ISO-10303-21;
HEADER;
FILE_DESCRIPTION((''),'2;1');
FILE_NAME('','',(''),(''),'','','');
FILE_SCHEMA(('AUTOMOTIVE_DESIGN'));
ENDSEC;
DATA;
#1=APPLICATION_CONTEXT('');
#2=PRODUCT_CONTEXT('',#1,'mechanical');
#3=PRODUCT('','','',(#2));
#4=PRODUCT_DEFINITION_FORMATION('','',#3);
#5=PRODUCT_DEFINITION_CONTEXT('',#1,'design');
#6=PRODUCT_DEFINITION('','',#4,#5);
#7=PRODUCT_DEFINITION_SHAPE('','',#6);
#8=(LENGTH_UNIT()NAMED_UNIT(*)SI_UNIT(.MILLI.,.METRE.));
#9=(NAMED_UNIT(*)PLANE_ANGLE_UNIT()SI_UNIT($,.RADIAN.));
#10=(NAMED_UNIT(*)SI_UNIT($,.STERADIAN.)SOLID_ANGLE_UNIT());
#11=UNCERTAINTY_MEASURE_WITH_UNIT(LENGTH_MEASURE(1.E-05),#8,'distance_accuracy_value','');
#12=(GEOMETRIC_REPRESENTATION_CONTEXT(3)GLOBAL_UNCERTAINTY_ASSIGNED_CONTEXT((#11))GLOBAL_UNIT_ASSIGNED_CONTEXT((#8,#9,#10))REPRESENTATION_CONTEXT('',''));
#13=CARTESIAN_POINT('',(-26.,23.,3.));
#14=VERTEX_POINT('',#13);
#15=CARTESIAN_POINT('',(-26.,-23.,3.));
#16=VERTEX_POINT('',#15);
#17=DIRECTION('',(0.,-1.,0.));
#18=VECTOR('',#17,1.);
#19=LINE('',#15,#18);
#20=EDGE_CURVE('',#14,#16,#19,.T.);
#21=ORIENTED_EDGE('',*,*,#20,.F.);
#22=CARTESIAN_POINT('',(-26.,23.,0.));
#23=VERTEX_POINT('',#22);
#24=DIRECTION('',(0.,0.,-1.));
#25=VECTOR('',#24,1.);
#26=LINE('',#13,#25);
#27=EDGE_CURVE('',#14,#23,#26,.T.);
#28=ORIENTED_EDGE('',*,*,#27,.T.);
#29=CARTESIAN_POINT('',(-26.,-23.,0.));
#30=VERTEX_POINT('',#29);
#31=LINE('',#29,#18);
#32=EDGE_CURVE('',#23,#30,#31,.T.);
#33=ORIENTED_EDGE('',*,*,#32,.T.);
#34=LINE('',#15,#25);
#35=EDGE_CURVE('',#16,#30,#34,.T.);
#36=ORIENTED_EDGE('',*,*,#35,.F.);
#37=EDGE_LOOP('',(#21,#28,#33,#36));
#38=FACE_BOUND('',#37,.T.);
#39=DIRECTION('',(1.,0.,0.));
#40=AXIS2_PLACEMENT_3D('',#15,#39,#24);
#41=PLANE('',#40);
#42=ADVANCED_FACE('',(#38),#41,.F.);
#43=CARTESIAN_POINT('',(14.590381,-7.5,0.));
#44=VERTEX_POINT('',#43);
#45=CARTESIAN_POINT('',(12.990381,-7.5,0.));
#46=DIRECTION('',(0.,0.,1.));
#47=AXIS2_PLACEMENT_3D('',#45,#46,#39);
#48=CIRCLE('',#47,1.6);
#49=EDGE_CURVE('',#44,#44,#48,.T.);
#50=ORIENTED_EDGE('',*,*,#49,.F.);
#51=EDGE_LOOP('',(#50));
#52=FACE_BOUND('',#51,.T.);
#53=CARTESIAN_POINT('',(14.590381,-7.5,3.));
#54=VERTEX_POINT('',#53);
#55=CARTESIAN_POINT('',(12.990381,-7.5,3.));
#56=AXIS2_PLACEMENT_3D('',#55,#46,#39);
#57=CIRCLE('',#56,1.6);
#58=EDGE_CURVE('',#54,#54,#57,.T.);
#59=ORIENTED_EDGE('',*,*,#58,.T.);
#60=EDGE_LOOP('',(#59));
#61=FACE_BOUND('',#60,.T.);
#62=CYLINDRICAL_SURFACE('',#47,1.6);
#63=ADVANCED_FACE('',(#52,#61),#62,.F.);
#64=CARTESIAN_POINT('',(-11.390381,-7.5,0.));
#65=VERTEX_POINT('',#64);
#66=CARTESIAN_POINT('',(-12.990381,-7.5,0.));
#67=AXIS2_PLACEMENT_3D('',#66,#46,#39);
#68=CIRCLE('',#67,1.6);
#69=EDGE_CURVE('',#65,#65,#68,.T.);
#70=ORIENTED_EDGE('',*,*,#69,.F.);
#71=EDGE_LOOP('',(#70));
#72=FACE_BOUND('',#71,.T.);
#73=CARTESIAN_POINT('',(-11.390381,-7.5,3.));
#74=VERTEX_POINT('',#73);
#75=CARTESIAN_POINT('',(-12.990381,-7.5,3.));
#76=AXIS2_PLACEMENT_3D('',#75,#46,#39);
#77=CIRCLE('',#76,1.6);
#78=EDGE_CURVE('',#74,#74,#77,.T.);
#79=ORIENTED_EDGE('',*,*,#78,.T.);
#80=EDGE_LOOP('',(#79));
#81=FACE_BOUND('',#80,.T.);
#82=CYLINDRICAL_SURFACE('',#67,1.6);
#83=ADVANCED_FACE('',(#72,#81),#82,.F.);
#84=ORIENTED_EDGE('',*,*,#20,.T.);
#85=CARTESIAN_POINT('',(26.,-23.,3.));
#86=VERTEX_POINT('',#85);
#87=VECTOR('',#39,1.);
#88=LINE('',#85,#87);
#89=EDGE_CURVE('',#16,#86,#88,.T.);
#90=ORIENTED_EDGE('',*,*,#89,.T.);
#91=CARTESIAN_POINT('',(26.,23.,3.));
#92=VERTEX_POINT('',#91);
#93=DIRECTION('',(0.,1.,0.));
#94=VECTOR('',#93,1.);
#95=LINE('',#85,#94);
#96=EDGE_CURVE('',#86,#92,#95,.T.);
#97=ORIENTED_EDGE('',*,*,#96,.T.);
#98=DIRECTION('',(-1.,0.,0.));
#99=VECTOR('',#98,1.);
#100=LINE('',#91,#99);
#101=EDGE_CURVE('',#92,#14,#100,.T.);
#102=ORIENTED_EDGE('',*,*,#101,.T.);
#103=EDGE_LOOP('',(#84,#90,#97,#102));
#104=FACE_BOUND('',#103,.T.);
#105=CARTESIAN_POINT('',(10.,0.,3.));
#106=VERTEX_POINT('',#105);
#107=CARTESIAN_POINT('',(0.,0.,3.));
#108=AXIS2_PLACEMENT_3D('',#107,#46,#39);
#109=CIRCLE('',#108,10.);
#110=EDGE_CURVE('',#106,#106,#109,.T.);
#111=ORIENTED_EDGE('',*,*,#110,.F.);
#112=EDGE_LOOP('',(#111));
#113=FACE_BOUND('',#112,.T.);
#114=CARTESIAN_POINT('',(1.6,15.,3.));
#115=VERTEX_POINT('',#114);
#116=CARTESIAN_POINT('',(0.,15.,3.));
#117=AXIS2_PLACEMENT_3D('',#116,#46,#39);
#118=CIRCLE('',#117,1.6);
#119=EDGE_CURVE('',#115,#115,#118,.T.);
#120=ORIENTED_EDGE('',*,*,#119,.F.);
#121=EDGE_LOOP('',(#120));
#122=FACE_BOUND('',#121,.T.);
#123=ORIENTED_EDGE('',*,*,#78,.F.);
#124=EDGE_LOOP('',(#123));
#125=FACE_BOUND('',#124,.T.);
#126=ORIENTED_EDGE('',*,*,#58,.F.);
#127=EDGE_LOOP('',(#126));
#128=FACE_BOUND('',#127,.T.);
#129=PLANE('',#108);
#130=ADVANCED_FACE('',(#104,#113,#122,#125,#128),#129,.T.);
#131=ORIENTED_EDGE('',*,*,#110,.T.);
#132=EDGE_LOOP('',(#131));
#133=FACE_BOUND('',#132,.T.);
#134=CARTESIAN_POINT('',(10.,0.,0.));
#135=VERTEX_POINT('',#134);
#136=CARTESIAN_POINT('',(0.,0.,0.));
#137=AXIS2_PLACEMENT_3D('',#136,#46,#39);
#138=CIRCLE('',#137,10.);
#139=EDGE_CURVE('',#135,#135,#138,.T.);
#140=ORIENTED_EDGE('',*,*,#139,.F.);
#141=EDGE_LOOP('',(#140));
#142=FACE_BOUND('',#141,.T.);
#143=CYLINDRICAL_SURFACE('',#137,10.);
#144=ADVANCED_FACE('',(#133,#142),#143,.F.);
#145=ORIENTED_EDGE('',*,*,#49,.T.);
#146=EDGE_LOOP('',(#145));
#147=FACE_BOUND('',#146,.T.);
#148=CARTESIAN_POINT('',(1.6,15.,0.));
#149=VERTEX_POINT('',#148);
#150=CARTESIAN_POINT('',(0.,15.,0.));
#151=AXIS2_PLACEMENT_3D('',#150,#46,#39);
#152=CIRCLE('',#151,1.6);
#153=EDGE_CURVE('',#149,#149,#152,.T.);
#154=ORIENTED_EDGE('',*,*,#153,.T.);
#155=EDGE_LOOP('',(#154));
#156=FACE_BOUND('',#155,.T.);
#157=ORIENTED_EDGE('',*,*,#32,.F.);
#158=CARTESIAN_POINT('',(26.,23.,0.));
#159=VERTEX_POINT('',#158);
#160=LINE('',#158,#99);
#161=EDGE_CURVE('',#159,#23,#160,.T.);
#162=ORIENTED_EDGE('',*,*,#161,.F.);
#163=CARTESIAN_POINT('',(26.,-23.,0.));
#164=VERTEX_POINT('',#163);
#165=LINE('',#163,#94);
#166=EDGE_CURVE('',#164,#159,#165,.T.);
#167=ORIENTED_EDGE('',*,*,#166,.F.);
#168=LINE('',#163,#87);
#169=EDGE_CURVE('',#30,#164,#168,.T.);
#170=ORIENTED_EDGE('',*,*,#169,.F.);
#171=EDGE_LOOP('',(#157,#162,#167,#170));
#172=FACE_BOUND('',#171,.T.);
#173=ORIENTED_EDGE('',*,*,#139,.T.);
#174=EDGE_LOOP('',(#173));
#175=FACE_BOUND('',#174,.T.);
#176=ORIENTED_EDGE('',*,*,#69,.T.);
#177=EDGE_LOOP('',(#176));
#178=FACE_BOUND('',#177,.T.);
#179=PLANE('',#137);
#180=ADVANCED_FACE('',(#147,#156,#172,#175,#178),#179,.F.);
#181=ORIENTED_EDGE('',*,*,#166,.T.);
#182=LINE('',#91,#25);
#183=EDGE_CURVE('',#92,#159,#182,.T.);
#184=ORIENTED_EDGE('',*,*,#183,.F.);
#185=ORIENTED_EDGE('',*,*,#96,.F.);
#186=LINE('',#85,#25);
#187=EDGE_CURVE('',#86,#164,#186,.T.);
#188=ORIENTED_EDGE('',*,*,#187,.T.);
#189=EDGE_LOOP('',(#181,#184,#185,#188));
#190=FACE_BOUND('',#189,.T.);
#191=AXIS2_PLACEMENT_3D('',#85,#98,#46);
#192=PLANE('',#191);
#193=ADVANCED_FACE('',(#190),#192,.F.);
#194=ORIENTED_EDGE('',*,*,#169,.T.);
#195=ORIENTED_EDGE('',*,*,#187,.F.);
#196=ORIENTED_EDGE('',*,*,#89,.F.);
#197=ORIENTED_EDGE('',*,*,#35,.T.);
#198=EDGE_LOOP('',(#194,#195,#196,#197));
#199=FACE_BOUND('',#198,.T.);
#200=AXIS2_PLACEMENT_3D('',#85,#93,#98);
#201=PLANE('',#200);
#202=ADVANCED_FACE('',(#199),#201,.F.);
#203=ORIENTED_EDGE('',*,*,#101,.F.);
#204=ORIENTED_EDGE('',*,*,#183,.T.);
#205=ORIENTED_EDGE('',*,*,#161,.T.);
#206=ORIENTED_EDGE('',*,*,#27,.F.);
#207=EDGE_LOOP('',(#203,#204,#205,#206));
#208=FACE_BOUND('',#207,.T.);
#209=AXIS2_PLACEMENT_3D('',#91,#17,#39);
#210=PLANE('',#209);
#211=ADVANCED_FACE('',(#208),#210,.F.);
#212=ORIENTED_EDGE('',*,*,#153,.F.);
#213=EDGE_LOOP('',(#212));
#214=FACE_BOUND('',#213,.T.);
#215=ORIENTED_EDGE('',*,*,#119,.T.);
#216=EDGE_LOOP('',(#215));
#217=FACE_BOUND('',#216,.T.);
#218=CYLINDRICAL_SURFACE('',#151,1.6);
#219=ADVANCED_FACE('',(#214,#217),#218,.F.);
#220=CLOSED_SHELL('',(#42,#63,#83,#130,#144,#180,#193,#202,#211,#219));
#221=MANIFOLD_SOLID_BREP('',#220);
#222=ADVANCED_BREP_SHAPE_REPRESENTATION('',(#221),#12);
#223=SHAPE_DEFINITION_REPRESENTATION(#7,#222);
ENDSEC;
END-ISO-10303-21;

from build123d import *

# Parameters (mm, degrees)
SKETCH_1_W          = 52
SKETCH_1_H          = 46
EXTRUDE_1_DEPTH     = 3
SKETCH_2_R          = 10
SKETCH_2_R_2        = 1.6
CUT_EXTRUDE_1_DEPTH = 4


with BuildPart() as part:
    # 草图1 → 凸台-拉伸1 (new body)
    with BuildSketch(Plane.XY):
        Rectangle(SKETCH_1_W, SKETCH_1_H)
    extrude(amount=EXTRUDE_1_DEPTH)

    # 草图2 → 切除-拉伸1 (cut, through all)
    with BuildSketch(Plane.XY.offset(3)):
        Circle(SKETCH_2_R)
        with Locations((0, 15)):
            Circle(SKETCH_2_R_2)
        with Locations((12.990381057, -7.5)):
            Circle(SKETCH_2_R_2)
        with Locations((-12.990381057, -7.5)):
            Circle(SKETCH_2_R_2)
    extrude(amount=-CUT_EXTRUDE_1_DEPTH, mode=Mode.SUBTRACT)


solid = part.part
